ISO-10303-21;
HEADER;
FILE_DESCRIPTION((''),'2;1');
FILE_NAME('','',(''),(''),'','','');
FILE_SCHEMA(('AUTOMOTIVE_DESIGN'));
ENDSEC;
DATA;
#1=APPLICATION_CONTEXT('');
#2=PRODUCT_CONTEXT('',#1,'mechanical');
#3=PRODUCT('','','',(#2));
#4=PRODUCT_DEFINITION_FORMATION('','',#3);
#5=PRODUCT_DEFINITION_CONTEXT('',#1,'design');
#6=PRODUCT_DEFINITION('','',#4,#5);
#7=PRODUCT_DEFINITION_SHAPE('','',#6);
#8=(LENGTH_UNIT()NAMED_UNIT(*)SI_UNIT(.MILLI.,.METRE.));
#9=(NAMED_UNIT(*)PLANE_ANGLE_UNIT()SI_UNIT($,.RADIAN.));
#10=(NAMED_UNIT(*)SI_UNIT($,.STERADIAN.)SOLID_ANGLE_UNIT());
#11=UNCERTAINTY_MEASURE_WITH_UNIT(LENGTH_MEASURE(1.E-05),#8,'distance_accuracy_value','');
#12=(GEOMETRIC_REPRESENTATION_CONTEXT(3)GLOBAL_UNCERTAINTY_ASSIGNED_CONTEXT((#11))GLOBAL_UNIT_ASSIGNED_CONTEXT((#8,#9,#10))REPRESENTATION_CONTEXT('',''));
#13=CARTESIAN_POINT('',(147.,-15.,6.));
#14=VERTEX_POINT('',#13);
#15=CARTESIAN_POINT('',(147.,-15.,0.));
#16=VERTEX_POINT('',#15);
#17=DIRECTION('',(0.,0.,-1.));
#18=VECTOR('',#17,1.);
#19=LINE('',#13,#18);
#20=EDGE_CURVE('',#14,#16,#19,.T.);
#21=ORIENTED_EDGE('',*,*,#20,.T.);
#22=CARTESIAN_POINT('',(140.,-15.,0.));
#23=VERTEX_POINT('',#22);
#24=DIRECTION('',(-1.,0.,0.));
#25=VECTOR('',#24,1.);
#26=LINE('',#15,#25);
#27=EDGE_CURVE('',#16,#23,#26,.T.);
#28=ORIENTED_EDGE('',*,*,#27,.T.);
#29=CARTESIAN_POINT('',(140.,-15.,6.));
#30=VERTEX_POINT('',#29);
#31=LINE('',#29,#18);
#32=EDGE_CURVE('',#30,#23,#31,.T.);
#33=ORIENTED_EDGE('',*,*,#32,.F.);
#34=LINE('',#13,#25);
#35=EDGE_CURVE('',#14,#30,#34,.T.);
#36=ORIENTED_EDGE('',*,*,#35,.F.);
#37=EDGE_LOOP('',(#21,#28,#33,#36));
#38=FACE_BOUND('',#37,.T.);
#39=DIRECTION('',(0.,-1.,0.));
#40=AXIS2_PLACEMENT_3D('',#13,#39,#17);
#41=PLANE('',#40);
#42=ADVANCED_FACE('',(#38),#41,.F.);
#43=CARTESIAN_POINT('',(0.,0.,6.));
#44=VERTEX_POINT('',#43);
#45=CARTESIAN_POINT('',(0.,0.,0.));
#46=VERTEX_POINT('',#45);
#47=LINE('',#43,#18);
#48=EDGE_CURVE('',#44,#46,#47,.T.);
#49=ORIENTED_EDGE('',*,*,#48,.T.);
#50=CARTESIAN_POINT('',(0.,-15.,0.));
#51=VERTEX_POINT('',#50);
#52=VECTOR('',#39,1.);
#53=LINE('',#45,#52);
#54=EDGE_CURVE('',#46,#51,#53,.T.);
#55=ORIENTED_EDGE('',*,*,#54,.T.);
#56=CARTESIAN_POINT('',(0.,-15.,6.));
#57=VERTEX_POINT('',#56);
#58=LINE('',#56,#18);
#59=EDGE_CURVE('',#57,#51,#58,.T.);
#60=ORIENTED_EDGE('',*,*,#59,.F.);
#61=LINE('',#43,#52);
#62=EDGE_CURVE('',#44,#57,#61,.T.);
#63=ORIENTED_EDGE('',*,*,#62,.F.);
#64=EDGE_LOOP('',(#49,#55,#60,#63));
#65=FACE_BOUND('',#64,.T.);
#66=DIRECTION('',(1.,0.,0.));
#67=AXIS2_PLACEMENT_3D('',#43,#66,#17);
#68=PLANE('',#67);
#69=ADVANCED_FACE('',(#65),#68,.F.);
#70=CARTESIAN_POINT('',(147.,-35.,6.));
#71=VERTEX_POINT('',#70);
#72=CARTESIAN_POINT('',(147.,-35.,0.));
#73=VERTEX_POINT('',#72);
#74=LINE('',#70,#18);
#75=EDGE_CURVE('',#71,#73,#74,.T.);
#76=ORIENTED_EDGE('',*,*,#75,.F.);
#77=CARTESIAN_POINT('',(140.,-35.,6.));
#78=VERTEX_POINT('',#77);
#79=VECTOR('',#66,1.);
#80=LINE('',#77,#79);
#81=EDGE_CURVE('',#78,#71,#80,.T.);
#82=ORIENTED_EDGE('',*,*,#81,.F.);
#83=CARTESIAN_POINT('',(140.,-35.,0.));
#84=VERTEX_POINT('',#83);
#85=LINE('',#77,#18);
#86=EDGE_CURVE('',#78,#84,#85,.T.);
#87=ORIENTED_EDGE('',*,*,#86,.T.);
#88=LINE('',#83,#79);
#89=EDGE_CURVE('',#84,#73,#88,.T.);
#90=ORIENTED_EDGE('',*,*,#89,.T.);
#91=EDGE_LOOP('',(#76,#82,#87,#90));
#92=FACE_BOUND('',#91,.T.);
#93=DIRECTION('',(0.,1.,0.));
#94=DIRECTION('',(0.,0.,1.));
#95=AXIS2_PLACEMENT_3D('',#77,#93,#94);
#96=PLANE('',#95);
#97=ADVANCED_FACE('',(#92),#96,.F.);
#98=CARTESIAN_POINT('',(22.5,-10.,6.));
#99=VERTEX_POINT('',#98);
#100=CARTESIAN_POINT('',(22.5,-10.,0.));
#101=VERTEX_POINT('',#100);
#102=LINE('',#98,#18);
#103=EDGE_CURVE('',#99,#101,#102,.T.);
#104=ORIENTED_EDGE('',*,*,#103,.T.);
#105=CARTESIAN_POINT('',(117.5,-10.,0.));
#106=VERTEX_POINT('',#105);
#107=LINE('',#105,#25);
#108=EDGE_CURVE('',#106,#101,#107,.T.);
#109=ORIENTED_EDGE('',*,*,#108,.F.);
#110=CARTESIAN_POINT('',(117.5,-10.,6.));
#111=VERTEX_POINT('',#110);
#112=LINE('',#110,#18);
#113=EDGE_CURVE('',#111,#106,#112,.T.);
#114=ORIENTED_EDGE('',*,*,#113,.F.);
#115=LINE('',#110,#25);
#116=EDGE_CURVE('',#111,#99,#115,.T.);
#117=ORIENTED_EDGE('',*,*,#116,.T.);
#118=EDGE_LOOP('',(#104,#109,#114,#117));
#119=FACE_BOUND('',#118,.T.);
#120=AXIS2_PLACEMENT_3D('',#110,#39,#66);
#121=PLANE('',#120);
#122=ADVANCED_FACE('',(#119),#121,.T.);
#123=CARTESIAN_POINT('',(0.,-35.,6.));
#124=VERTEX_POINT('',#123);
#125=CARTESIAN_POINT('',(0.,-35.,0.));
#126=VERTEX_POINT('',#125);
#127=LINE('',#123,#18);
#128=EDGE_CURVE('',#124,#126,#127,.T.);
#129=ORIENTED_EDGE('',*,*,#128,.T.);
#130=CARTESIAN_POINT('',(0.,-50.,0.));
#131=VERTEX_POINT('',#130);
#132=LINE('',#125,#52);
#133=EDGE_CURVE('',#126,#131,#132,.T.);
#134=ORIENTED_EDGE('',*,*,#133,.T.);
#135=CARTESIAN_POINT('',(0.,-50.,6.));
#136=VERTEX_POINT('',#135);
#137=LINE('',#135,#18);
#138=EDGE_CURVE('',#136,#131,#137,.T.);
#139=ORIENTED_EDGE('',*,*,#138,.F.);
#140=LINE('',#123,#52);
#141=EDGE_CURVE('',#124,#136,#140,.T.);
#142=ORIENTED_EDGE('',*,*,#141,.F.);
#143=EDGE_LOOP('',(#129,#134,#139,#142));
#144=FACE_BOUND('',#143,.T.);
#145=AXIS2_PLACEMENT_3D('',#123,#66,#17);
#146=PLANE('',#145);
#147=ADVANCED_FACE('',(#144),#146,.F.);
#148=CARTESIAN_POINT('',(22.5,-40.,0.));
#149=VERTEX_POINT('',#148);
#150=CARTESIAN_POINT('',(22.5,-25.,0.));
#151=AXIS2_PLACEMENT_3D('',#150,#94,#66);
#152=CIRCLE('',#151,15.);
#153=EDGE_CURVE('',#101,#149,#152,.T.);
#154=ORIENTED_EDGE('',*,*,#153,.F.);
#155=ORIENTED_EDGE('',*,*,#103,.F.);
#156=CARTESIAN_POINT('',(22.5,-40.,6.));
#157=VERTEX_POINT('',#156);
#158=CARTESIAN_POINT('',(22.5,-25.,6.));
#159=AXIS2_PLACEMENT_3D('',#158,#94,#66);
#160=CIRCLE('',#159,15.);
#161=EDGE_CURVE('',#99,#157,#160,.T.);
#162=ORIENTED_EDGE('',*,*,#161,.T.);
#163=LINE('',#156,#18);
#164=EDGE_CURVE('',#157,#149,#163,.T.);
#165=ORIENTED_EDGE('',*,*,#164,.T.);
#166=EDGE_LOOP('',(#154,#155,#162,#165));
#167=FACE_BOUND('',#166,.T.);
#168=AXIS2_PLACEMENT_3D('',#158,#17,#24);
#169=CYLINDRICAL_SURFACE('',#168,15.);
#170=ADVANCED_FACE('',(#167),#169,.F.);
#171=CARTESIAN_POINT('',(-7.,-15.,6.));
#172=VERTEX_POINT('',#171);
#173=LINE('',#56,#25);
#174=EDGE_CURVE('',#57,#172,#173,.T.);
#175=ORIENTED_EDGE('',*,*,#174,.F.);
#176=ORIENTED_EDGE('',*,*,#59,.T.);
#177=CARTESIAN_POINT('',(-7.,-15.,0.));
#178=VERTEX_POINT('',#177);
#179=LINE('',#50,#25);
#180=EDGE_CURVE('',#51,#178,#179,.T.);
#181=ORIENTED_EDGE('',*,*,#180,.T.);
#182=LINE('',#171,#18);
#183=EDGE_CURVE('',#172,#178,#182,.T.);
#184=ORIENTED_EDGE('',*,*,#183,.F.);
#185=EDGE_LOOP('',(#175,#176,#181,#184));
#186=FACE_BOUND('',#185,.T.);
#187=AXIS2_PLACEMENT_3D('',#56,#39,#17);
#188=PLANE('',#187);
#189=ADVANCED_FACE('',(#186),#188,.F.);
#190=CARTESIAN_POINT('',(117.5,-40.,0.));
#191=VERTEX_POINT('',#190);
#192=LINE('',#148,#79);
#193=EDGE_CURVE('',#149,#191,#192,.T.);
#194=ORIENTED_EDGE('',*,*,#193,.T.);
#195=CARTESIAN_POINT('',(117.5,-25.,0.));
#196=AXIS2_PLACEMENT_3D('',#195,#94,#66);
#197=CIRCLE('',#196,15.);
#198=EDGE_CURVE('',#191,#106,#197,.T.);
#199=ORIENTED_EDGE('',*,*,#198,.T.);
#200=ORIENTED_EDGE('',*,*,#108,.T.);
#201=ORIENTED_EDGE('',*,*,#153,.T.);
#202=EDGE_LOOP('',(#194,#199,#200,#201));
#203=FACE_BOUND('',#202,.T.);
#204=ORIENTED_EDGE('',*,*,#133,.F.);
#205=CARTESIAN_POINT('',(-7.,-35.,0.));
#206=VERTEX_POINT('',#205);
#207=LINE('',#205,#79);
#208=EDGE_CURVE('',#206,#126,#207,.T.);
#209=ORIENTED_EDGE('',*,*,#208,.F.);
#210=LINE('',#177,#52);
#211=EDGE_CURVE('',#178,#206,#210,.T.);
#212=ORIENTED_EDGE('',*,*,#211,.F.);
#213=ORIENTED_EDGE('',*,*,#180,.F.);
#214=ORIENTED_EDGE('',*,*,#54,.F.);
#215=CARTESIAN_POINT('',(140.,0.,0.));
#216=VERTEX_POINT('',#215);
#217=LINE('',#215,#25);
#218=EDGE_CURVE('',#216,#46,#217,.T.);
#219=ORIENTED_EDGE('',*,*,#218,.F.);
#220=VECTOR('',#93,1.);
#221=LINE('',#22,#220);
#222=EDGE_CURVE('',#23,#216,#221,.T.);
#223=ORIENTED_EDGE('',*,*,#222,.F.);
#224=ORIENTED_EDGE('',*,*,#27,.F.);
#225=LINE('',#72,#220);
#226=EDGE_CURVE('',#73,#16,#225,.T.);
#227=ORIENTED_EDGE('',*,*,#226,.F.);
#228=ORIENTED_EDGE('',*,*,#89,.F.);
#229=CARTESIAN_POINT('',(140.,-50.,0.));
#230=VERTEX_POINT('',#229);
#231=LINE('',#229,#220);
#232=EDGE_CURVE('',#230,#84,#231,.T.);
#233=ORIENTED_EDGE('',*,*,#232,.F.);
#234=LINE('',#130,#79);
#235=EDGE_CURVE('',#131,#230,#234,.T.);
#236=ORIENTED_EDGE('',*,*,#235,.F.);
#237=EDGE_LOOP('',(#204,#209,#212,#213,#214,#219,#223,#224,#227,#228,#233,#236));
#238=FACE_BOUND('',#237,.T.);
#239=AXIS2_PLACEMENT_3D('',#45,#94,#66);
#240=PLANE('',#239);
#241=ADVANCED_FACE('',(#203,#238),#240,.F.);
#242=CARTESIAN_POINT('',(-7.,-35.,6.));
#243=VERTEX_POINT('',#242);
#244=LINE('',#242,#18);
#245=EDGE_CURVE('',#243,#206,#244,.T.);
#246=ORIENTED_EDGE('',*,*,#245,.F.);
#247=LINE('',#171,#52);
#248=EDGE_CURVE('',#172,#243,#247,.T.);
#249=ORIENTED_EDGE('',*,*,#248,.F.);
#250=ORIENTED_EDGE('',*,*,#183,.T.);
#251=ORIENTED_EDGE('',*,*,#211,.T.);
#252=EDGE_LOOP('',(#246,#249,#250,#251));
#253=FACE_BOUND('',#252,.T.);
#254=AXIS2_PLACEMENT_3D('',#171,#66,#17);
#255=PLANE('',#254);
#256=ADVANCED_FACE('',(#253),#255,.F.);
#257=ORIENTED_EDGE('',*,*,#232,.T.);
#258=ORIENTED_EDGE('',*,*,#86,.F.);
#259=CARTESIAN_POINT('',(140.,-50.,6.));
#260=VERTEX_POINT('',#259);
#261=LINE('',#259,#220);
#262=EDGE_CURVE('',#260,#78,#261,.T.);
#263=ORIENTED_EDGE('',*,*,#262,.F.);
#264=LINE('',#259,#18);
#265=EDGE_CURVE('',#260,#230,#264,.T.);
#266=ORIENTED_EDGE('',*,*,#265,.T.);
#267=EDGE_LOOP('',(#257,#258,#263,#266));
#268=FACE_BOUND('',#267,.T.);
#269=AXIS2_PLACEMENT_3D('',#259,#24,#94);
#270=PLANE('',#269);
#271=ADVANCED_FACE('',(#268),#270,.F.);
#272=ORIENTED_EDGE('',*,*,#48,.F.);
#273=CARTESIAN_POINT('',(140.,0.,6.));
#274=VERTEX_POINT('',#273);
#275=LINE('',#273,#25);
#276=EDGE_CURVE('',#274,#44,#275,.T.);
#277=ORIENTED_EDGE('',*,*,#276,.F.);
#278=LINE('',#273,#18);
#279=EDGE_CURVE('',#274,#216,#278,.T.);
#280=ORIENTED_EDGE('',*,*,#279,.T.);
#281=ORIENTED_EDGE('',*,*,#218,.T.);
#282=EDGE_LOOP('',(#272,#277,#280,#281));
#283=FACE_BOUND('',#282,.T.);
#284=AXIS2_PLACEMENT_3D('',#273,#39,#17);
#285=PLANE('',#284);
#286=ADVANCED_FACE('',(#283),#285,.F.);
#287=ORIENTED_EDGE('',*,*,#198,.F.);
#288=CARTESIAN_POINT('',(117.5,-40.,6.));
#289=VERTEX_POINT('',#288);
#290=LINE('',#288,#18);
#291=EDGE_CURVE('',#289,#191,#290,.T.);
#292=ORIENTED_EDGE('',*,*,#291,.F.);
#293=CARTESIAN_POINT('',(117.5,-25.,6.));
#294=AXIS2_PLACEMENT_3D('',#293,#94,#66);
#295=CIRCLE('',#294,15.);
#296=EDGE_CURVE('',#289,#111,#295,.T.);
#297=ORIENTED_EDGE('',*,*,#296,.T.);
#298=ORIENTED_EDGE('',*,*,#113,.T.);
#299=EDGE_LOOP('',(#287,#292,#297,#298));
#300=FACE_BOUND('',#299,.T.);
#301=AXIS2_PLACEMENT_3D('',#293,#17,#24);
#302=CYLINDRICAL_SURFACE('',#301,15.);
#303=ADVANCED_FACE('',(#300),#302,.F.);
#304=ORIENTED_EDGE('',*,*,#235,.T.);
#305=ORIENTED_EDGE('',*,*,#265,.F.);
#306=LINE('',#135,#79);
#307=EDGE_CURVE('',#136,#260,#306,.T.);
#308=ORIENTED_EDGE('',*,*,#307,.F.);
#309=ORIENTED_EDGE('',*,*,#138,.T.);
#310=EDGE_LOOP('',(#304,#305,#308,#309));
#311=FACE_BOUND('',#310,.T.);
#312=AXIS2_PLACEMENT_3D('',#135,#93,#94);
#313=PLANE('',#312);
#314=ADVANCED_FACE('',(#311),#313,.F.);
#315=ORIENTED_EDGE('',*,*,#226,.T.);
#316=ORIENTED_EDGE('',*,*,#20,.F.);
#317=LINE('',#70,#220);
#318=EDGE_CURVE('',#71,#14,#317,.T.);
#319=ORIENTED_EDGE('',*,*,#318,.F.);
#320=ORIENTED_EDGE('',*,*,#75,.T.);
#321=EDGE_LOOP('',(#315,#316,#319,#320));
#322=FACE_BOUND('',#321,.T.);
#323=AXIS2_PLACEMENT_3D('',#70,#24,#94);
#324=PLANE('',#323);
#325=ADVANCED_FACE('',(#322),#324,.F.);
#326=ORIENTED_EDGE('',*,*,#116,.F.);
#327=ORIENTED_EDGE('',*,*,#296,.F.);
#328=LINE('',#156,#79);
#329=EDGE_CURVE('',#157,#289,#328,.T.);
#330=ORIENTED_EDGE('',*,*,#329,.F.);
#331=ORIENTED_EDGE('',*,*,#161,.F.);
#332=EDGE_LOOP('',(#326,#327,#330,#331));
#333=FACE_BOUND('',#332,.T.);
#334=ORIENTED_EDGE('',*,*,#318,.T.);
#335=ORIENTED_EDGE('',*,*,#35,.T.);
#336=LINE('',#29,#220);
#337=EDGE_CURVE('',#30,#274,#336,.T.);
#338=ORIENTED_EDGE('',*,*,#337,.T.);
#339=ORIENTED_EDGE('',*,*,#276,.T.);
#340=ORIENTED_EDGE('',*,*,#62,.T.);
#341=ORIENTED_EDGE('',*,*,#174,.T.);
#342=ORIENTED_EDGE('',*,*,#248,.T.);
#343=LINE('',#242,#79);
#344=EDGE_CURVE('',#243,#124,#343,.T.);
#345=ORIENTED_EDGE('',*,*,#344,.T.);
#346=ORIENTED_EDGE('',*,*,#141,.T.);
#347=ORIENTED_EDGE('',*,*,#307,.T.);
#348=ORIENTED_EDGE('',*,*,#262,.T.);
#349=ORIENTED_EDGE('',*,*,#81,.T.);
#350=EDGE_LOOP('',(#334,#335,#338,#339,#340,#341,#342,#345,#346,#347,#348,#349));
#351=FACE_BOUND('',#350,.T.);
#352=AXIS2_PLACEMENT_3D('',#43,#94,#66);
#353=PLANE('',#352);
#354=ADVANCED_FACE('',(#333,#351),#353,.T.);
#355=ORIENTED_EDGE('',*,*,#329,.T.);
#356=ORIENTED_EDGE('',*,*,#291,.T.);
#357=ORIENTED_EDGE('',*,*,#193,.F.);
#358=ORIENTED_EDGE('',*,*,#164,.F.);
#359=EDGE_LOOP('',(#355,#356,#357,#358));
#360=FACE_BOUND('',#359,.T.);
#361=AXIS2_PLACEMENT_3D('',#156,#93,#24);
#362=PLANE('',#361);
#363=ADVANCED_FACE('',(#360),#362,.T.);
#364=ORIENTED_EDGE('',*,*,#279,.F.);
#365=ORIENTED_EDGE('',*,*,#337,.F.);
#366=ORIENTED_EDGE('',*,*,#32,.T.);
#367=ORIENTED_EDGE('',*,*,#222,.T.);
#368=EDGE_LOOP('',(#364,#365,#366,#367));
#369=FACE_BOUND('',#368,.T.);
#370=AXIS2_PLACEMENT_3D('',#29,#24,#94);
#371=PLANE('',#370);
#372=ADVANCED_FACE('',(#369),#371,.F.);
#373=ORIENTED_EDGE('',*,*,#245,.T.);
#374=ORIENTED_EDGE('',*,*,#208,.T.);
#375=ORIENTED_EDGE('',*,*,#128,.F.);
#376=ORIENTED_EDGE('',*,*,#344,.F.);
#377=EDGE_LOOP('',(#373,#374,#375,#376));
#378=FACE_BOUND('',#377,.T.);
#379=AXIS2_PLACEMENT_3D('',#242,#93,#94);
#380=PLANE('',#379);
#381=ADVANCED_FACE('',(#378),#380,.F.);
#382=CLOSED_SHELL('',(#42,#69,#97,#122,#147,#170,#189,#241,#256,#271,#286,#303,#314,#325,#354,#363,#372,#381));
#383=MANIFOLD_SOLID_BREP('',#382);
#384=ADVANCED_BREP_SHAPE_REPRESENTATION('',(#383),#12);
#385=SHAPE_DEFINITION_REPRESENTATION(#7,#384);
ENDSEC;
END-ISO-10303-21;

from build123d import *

# Parameters (mm, degrees)
BOSS_EXTRUDE1_DEPTH = 6


with BuildPart() as part:
    # Sketch1 → Boss-Extrude1 (new body)
    with BuildSketch(Plane.XY):
        Polygon((140, 0), (0, 0), (0, -15), (-7, -15), (-7, -35), (0, -35), (0, -50), (140, -50), (140, -35), (147, -35), (147, -15), (140, -15), align=None)
        with BuildLine():
            Line((117.5, -10), (22.5, -10))
            ThreePointArc((22.5, -10), (7.5, -25), (22.5, -40))
            Line((22.5, -40), (117.5, -40))
            ThreePointArc((117.5, -40), (132.5, -25), (117.5, -10))
        make_face(mode=Mode.SUBTRACT)
    extrude(amount=BOSS_EXTRUDE1_DEPTH)


solid = part.part
